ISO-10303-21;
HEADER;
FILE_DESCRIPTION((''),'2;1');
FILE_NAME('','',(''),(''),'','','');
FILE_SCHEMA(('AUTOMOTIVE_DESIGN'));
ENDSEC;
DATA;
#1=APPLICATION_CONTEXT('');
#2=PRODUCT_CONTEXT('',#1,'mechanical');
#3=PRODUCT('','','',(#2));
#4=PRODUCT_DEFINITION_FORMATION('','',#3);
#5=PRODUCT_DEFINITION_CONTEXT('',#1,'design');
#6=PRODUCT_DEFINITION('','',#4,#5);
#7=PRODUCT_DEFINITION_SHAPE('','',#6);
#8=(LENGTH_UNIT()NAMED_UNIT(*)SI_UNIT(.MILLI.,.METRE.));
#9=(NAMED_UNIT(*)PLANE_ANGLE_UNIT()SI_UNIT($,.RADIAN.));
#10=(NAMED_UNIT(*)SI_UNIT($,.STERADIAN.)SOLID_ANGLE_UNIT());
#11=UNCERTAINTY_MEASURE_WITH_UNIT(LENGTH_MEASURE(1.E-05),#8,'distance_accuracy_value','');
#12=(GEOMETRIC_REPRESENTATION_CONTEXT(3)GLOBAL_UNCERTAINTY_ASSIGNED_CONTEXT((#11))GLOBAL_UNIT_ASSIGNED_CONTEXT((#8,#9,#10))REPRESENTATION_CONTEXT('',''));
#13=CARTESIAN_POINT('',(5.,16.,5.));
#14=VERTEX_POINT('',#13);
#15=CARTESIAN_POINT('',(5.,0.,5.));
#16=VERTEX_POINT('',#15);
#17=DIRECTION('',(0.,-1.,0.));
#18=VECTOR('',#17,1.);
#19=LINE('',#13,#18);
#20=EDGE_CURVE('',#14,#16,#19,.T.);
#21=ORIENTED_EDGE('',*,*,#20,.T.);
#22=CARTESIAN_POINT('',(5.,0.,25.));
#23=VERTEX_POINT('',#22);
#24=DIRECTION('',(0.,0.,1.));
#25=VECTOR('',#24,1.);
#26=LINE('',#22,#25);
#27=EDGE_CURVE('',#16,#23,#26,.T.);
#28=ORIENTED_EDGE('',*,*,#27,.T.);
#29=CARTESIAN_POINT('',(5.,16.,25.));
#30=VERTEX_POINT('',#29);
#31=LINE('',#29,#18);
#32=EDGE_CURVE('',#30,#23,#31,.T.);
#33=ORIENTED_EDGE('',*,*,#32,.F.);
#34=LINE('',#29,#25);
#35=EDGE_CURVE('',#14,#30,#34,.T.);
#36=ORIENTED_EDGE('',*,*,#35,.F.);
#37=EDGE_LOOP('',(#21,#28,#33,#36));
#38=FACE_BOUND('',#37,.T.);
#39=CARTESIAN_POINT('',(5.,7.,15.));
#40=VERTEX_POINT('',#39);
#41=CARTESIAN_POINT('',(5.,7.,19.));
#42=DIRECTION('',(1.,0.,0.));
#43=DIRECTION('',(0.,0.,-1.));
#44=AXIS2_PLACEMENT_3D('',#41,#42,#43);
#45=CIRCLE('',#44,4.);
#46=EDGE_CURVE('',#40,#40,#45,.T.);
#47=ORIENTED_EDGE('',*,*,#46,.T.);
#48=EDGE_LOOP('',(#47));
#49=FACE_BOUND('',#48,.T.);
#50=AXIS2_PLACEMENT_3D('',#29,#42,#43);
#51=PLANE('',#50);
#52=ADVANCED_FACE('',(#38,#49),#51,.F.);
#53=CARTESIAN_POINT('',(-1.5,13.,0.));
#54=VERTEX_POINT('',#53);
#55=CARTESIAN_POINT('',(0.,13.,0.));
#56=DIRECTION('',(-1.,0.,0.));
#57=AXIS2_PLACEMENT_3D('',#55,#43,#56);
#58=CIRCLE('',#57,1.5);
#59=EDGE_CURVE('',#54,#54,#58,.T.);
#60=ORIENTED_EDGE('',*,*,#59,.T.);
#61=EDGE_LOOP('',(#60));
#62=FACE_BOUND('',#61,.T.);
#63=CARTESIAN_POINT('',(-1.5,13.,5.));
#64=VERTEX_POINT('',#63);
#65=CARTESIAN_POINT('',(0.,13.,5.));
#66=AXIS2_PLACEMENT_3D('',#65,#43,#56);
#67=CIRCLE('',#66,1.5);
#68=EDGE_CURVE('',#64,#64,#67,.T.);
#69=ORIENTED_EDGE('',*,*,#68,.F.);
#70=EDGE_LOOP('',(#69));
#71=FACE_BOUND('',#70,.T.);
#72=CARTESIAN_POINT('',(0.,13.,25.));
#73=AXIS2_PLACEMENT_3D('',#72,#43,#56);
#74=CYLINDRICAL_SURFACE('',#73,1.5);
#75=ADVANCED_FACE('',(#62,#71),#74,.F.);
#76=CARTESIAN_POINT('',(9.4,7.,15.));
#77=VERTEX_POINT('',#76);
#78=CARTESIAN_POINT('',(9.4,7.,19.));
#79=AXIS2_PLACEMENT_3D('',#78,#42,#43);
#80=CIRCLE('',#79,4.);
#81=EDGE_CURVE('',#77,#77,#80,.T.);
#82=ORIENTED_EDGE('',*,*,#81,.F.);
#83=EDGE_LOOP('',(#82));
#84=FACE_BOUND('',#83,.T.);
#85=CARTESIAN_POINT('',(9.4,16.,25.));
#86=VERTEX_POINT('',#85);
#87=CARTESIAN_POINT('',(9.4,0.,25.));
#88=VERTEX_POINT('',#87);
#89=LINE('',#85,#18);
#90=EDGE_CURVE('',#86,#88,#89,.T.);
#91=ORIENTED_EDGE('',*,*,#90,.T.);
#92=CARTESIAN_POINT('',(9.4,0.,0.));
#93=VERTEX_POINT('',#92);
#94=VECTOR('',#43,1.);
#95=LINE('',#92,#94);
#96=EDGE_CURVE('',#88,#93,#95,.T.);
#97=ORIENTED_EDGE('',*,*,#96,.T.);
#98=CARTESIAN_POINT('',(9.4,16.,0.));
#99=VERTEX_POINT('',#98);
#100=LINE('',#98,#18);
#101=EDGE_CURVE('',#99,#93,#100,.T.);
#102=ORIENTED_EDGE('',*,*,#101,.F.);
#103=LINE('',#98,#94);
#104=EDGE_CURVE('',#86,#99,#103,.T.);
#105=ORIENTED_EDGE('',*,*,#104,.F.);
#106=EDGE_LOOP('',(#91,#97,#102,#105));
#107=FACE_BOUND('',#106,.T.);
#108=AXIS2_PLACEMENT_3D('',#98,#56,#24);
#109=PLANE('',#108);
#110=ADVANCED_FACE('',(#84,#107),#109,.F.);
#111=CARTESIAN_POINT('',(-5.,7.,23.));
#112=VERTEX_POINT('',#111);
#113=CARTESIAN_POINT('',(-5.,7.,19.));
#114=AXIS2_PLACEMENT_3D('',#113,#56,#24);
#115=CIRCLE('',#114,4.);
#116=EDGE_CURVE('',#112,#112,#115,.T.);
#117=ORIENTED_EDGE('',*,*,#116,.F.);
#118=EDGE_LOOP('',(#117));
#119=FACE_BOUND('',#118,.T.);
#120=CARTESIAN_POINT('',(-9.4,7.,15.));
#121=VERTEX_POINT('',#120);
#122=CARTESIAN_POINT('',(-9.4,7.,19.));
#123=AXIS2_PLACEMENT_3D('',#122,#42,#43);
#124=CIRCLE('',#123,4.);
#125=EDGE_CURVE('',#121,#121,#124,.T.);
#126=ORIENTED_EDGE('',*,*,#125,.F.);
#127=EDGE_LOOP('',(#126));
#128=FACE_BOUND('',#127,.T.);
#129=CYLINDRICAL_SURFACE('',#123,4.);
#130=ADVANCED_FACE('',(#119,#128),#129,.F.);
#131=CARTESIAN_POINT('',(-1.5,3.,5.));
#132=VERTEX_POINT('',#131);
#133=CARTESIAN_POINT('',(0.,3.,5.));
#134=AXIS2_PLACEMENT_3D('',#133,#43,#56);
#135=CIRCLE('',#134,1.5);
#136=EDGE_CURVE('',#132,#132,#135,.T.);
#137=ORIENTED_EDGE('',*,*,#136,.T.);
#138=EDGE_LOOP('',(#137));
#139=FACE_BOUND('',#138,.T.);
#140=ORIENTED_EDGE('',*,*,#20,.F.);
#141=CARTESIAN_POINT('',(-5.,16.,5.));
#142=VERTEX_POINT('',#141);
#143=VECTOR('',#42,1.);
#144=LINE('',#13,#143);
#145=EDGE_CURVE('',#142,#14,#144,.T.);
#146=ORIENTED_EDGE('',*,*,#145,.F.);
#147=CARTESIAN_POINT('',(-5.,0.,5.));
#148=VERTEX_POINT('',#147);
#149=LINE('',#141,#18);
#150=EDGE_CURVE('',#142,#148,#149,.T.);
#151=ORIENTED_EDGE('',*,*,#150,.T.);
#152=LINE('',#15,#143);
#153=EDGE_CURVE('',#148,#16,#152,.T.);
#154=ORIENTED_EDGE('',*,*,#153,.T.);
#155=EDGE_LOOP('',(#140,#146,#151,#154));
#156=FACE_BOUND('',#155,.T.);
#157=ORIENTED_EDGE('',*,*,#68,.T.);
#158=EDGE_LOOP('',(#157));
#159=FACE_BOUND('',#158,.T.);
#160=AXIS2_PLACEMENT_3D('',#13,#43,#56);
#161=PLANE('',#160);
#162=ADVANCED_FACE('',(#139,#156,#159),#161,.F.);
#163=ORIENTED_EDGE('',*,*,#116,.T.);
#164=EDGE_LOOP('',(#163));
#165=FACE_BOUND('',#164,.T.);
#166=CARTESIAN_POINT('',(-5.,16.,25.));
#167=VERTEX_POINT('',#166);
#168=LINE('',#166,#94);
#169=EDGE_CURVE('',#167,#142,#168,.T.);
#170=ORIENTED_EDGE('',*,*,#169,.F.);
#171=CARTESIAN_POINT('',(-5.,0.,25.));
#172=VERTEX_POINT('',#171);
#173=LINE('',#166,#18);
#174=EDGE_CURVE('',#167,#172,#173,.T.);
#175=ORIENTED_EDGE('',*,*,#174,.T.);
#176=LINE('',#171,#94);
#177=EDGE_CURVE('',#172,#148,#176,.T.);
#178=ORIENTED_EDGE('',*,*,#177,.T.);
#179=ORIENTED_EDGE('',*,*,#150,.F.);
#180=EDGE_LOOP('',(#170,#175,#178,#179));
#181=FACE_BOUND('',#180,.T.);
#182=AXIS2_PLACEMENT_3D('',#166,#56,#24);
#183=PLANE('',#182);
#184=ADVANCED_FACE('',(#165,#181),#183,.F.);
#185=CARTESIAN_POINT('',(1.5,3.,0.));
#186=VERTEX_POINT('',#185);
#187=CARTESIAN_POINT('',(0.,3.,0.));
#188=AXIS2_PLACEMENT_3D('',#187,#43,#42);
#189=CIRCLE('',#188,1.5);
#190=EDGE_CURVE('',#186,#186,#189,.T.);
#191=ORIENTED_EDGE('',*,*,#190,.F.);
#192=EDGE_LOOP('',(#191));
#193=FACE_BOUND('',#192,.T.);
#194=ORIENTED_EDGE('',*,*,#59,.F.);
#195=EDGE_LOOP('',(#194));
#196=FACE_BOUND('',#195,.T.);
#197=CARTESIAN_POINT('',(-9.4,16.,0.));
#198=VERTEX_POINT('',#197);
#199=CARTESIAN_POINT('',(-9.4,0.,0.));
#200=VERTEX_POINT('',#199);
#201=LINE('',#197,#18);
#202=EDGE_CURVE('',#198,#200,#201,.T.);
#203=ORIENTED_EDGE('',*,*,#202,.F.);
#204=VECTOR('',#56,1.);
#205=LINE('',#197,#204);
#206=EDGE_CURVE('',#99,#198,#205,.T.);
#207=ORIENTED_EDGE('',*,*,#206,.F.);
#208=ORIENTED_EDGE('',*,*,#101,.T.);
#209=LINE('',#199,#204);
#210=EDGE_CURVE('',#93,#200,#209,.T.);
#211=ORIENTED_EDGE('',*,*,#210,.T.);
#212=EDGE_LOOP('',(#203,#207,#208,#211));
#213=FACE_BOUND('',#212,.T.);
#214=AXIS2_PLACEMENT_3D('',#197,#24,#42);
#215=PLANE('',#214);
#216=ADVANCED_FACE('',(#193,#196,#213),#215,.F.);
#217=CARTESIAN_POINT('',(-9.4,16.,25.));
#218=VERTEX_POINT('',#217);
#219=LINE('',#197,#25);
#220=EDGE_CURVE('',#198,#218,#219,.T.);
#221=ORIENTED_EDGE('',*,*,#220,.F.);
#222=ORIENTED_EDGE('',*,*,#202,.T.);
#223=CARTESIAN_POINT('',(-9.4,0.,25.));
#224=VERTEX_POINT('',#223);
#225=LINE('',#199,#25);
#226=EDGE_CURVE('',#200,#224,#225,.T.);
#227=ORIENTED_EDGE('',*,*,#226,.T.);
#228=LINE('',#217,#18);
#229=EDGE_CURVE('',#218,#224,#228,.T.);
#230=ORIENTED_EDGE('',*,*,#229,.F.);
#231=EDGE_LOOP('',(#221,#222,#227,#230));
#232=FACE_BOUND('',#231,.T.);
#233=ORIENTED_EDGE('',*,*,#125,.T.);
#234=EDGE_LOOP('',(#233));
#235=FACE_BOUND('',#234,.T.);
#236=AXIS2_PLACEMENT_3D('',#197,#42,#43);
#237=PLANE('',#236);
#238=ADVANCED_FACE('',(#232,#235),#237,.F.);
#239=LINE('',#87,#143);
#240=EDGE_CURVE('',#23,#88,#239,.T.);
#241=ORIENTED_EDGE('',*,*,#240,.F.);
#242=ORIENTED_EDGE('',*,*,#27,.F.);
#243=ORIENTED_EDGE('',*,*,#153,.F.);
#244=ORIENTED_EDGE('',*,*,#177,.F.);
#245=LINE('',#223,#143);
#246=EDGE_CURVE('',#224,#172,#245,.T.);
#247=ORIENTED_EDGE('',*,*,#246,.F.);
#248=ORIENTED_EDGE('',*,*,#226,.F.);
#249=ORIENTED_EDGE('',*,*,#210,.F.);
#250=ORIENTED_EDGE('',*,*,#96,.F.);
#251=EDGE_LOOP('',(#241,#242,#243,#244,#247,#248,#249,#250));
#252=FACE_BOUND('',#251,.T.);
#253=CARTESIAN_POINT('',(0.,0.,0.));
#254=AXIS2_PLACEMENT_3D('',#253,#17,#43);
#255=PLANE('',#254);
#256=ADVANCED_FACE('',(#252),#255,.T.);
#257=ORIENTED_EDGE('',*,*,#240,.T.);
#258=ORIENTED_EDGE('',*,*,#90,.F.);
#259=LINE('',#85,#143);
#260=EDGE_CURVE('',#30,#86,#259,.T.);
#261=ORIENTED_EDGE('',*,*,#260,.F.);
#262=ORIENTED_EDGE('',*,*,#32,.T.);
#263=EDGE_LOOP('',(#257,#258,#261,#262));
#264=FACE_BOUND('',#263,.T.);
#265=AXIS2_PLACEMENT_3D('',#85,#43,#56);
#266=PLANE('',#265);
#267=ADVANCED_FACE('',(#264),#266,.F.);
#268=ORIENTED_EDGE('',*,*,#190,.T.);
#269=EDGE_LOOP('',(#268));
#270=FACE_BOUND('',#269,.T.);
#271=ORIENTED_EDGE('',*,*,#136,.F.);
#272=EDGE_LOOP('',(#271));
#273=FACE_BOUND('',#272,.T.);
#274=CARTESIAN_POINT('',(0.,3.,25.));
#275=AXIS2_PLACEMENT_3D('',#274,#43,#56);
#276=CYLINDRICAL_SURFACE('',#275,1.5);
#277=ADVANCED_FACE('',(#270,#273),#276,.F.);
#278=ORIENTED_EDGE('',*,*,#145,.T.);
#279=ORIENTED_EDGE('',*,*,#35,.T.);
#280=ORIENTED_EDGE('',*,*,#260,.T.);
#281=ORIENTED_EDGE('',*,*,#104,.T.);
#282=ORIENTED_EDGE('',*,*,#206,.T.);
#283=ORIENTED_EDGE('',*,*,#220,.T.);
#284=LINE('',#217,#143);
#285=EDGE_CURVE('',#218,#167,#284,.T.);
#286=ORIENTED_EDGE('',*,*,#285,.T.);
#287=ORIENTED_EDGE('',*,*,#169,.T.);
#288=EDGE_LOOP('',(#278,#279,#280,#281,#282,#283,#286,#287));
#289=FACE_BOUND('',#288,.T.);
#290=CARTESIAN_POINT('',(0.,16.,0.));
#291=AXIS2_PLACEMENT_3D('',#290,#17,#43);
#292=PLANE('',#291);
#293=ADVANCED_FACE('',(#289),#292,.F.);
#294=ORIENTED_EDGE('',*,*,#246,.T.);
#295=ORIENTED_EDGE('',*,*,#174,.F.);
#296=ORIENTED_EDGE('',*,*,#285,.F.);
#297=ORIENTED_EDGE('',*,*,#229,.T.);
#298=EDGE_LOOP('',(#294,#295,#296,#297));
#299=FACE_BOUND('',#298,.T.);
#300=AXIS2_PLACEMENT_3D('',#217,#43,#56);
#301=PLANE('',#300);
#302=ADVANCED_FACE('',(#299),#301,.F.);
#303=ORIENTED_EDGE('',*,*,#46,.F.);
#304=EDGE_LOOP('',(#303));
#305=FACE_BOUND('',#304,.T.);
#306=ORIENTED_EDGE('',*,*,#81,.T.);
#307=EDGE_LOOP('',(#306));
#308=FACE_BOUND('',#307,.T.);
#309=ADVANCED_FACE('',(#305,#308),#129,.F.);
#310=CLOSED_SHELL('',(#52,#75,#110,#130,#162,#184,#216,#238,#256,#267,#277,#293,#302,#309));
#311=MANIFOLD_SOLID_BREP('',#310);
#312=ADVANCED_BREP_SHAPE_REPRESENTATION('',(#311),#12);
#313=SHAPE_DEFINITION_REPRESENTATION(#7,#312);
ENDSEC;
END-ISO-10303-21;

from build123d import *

# Parameters (mm, degrees)
BOSS_EXTRUDE1_DEPTH = 16
SKETCH2_R           = 4
CUT_EXTRUDE1_DEPTH  = 19.8
SKETCH3_R           = 1.5
CUT_EXTRUDE2_DEPTH  = 26


with BuildPart() as part:
    # Sketch1 → Boss-Extrude1 (new body)
    with BuildSketch(Plane(origin=(0, 0, 0), x_dir=(1, 0, 0), z_dir=(0, 1, 0))):
        Polygon((-9.4, 0), (9.4, 0), (9.4, -25), (5, -25), (5, -5), (-5, -5), (-5, -25), (-9.4, -25), align=None)
    extrude(amount=BOSS_EXTRUDE1_DEPTH)

    # Sketch2 → Cut-Extrude1 (cut, through all)
    with BuildSketch(Plane(origin=(9.4, 0, 0), x_dir=(0, 0, -1), z_dir=(1, 0, 0))):
        with Locations((-19, 7)):
            Circle(SKETCH2_R)
    extrude(amount=-CUT_EXTRUDE1_DEPTH, mode=Mode.SUBTRACT)

    # Sketch3 → Cut-Extrude2 (cut, through all)
    with BuildSketch(Plane(origin=(0, 0, 0), x_dir=(-1, 0, 0), z_dir=(0, 0, -1))):
        with Locations((0, 13)):
            Circle(SKETCH3_R)
        with Locations((0, 3)):
            Circle(SKETCH3_R)
    extrude(amount=-CUT_EXTRUDE2_DEPTH, mode=Mode.SUBTRACT)


solid = part.part
